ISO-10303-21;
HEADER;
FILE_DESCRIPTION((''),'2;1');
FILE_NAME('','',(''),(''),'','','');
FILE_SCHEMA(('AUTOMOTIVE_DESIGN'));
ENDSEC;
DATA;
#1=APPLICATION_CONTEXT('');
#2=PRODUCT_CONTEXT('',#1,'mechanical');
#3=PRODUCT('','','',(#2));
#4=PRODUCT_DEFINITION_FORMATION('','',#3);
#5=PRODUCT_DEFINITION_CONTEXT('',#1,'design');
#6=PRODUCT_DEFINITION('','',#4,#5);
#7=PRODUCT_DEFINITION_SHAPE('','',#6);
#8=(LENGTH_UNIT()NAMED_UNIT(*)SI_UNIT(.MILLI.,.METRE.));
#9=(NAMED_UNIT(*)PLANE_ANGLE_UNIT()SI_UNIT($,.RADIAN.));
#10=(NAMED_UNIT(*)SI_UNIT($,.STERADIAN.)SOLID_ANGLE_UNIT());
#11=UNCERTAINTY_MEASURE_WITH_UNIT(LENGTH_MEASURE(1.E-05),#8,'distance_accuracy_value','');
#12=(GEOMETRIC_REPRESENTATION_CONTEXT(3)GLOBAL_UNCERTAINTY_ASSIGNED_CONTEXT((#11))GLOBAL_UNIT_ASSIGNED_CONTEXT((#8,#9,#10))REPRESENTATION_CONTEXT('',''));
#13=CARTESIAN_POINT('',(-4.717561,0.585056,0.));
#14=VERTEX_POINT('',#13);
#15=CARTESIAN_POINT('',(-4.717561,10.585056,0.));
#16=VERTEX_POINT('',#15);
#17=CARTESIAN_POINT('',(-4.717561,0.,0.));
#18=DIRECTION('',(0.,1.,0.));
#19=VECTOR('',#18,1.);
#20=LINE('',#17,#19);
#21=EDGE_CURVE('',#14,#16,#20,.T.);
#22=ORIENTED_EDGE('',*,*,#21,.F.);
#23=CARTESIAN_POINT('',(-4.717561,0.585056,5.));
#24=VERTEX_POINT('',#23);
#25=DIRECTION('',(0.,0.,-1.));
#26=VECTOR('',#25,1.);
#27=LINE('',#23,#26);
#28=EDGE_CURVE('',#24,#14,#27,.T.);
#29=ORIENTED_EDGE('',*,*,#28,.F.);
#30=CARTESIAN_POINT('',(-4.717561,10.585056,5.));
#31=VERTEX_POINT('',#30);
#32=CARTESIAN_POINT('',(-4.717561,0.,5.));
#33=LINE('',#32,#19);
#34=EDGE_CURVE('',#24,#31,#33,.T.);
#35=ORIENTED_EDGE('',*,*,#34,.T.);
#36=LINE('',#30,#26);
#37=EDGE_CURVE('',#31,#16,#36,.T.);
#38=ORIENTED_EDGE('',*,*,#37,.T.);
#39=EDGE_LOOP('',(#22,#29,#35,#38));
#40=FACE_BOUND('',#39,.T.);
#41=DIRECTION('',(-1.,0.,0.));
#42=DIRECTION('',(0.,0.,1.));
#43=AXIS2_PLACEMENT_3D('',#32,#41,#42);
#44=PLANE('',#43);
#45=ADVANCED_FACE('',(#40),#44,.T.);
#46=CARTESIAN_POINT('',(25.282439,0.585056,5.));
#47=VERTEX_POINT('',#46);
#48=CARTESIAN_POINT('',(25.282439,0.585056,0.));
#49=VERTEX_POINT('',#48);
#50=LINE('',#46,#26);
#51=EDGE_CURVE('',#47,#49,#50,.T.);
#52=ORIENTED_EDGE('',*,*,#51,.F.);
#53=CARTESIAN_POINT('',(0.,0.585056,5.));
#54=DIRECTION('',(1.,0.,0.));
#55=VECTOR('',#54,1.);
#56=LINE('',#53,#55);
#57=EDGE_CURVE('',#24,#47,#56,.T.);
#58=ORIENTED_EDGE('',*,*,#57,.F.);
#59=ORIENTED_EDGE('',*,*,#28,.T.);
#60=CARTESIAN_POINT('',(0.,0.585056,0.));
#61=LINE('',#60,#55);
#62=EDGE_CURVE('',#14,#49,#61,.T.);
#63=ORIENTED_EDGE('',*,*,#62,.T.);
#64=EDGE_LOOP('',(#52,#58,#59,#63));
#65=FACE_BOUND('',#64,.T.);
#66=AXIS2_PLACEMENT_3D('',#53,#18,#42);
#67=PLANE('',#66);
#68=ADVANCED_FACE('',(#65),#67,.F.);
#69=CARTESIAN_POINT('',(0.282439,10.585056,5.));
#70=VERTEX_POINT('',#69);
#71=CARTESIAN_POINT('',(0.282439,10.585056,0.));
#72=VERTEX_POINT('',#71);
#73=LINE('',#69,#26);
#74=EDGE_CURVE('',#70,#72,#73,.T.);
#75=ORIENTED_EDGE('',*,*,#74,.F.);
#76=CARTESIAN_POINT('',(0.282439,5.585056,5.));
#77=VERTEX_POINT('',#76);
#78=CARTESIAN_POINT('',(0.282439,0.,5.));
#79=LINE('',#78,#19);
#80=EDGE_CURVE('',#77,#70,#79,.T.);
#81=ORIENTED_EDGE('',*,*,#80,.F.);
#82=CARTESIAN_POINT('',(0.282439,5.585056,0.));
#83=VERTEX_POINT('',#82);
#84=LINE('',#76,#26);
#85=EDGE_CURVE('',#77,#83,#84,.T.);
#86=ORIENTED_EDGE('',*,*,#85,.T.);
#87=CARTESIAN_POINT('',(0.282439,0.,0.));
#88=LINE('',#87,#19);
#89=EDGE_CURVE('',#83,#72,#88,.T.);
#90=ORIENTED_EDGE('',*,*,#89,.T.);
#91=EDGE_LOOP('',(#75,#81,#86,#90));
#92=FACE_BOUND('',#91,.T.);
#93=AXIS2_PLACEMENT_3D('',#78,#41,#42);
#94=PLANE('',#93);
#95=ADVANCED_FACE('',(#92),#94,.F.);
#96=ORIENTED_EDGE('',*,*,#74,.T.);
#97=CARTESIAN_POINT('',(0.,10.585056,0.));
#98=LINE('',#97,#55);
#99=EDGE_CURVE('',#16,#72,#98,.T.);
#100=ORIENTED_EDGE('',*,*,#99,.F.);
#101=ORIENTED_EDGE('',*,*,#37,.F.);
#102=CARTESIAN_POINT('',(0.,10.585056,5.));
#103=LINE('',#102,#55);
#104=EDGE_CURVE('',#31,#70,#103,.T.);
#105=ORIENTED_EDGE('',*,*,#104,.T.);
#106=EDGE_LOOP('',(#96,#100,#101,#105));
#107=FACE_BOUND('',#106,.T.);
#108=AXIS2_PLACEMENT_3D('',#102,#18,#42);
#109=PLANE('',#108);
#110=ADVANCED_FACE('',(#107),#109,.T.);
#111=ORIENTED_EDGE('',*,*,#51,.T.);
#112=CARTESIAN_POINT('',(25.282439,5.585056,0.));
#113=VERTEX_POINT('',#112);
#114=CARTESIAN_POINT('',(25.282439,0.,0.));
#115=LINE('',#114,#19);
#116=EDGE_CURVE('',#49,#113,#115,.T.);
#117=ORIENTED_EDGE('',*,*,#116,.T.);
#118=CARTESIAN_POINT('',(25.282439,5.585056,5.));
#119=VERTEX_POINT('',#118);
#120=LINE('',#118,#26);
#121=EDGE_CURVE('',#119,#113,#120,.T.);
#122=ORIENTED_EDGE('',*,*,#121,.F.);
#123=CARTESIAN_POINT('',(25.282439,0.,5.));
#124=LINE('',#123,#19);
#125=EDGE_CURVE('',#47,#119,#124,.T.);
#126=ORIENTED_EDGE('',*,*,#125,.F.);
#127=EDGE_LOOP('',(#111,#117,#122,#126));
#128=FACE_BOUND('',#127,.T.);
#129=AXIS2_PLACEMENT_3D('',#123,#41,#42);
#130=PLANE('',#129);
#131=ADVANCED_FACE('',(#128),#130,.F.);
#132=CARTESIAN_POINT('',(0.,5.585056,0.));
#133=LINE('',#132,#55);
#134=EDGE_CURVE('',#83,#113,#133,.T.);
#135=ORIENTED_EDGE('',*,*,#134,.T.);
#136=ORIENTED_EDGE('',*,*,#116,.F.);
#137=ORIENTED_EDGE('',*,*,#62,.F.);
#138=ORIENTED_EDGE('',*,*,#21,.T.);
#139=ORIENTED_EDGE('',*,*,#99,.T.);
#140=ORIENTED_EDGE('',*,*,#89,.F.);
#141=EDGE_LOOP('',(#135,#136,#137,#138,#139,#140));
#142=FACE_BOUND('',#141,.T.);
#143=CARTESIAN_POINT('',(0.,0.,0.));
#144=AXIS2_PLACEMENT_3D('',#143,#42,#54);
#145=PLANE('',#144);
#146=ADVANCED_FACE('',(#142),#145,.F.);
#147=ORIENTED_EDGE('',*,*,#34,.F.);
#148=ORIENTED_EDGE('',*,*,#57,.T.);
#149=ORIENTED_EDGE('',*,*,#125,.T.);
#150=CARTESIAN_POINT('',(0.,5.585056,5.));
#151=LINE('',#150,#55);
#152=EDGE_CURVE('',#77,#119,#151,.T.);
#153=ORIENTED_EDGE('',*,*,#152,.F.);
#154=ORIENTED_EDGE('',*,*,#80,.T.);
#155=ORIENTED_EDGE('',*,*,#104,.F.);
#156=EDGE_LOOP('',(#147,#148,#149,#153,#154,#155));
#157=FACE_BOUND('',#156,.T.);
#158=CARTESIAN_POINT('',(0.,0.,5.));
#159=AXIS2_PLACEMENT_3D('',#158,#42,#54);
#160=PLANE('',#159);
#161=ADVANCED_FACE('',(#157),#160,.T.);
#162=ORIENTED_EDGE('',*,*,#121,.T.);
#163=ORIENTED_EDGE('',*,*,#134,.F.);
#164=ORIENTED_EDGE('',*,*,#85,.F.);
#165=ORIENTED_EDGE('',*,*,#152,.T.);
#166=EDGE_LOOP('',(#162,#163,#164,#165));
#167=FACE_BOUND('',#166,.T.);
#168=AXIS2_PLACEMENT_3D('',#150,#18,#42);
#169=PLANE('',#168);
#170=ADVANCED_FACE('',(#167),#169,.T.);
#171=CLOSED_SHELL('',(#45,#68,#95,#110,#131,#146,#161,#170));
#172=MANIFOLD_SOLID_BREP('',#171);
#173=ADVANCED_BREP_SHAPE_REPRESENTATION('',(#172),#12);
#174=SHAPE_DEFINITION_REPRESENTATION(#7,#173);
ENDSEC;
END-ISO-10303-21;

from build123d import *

# Parameters (mm, degrees)
ESQUISSE1_W        = 30
ESQUISSE1_H        = 5
ESQUISSE1_W_2      = 5
BOSS_EXTRU_1_DEPTH = 5


with BuildPart() as part:
    # Esquisse1 → Boss.-Extru.1 (new body)
    with BuildSketch(Plane.XY):
        with Locations((10.282439123, 3.085056057)):
            Rectangle(ESQUISSE1_W, ESQUISSE1_H)
        with Locations((-2.217560877, 8.085056057)):
            Rectangle(ESQUISSE1_W_2, ESQUISSE1_H)
    extrude(amount=BOSS_EXTRU_1_DEPTH)


solid = part.part
